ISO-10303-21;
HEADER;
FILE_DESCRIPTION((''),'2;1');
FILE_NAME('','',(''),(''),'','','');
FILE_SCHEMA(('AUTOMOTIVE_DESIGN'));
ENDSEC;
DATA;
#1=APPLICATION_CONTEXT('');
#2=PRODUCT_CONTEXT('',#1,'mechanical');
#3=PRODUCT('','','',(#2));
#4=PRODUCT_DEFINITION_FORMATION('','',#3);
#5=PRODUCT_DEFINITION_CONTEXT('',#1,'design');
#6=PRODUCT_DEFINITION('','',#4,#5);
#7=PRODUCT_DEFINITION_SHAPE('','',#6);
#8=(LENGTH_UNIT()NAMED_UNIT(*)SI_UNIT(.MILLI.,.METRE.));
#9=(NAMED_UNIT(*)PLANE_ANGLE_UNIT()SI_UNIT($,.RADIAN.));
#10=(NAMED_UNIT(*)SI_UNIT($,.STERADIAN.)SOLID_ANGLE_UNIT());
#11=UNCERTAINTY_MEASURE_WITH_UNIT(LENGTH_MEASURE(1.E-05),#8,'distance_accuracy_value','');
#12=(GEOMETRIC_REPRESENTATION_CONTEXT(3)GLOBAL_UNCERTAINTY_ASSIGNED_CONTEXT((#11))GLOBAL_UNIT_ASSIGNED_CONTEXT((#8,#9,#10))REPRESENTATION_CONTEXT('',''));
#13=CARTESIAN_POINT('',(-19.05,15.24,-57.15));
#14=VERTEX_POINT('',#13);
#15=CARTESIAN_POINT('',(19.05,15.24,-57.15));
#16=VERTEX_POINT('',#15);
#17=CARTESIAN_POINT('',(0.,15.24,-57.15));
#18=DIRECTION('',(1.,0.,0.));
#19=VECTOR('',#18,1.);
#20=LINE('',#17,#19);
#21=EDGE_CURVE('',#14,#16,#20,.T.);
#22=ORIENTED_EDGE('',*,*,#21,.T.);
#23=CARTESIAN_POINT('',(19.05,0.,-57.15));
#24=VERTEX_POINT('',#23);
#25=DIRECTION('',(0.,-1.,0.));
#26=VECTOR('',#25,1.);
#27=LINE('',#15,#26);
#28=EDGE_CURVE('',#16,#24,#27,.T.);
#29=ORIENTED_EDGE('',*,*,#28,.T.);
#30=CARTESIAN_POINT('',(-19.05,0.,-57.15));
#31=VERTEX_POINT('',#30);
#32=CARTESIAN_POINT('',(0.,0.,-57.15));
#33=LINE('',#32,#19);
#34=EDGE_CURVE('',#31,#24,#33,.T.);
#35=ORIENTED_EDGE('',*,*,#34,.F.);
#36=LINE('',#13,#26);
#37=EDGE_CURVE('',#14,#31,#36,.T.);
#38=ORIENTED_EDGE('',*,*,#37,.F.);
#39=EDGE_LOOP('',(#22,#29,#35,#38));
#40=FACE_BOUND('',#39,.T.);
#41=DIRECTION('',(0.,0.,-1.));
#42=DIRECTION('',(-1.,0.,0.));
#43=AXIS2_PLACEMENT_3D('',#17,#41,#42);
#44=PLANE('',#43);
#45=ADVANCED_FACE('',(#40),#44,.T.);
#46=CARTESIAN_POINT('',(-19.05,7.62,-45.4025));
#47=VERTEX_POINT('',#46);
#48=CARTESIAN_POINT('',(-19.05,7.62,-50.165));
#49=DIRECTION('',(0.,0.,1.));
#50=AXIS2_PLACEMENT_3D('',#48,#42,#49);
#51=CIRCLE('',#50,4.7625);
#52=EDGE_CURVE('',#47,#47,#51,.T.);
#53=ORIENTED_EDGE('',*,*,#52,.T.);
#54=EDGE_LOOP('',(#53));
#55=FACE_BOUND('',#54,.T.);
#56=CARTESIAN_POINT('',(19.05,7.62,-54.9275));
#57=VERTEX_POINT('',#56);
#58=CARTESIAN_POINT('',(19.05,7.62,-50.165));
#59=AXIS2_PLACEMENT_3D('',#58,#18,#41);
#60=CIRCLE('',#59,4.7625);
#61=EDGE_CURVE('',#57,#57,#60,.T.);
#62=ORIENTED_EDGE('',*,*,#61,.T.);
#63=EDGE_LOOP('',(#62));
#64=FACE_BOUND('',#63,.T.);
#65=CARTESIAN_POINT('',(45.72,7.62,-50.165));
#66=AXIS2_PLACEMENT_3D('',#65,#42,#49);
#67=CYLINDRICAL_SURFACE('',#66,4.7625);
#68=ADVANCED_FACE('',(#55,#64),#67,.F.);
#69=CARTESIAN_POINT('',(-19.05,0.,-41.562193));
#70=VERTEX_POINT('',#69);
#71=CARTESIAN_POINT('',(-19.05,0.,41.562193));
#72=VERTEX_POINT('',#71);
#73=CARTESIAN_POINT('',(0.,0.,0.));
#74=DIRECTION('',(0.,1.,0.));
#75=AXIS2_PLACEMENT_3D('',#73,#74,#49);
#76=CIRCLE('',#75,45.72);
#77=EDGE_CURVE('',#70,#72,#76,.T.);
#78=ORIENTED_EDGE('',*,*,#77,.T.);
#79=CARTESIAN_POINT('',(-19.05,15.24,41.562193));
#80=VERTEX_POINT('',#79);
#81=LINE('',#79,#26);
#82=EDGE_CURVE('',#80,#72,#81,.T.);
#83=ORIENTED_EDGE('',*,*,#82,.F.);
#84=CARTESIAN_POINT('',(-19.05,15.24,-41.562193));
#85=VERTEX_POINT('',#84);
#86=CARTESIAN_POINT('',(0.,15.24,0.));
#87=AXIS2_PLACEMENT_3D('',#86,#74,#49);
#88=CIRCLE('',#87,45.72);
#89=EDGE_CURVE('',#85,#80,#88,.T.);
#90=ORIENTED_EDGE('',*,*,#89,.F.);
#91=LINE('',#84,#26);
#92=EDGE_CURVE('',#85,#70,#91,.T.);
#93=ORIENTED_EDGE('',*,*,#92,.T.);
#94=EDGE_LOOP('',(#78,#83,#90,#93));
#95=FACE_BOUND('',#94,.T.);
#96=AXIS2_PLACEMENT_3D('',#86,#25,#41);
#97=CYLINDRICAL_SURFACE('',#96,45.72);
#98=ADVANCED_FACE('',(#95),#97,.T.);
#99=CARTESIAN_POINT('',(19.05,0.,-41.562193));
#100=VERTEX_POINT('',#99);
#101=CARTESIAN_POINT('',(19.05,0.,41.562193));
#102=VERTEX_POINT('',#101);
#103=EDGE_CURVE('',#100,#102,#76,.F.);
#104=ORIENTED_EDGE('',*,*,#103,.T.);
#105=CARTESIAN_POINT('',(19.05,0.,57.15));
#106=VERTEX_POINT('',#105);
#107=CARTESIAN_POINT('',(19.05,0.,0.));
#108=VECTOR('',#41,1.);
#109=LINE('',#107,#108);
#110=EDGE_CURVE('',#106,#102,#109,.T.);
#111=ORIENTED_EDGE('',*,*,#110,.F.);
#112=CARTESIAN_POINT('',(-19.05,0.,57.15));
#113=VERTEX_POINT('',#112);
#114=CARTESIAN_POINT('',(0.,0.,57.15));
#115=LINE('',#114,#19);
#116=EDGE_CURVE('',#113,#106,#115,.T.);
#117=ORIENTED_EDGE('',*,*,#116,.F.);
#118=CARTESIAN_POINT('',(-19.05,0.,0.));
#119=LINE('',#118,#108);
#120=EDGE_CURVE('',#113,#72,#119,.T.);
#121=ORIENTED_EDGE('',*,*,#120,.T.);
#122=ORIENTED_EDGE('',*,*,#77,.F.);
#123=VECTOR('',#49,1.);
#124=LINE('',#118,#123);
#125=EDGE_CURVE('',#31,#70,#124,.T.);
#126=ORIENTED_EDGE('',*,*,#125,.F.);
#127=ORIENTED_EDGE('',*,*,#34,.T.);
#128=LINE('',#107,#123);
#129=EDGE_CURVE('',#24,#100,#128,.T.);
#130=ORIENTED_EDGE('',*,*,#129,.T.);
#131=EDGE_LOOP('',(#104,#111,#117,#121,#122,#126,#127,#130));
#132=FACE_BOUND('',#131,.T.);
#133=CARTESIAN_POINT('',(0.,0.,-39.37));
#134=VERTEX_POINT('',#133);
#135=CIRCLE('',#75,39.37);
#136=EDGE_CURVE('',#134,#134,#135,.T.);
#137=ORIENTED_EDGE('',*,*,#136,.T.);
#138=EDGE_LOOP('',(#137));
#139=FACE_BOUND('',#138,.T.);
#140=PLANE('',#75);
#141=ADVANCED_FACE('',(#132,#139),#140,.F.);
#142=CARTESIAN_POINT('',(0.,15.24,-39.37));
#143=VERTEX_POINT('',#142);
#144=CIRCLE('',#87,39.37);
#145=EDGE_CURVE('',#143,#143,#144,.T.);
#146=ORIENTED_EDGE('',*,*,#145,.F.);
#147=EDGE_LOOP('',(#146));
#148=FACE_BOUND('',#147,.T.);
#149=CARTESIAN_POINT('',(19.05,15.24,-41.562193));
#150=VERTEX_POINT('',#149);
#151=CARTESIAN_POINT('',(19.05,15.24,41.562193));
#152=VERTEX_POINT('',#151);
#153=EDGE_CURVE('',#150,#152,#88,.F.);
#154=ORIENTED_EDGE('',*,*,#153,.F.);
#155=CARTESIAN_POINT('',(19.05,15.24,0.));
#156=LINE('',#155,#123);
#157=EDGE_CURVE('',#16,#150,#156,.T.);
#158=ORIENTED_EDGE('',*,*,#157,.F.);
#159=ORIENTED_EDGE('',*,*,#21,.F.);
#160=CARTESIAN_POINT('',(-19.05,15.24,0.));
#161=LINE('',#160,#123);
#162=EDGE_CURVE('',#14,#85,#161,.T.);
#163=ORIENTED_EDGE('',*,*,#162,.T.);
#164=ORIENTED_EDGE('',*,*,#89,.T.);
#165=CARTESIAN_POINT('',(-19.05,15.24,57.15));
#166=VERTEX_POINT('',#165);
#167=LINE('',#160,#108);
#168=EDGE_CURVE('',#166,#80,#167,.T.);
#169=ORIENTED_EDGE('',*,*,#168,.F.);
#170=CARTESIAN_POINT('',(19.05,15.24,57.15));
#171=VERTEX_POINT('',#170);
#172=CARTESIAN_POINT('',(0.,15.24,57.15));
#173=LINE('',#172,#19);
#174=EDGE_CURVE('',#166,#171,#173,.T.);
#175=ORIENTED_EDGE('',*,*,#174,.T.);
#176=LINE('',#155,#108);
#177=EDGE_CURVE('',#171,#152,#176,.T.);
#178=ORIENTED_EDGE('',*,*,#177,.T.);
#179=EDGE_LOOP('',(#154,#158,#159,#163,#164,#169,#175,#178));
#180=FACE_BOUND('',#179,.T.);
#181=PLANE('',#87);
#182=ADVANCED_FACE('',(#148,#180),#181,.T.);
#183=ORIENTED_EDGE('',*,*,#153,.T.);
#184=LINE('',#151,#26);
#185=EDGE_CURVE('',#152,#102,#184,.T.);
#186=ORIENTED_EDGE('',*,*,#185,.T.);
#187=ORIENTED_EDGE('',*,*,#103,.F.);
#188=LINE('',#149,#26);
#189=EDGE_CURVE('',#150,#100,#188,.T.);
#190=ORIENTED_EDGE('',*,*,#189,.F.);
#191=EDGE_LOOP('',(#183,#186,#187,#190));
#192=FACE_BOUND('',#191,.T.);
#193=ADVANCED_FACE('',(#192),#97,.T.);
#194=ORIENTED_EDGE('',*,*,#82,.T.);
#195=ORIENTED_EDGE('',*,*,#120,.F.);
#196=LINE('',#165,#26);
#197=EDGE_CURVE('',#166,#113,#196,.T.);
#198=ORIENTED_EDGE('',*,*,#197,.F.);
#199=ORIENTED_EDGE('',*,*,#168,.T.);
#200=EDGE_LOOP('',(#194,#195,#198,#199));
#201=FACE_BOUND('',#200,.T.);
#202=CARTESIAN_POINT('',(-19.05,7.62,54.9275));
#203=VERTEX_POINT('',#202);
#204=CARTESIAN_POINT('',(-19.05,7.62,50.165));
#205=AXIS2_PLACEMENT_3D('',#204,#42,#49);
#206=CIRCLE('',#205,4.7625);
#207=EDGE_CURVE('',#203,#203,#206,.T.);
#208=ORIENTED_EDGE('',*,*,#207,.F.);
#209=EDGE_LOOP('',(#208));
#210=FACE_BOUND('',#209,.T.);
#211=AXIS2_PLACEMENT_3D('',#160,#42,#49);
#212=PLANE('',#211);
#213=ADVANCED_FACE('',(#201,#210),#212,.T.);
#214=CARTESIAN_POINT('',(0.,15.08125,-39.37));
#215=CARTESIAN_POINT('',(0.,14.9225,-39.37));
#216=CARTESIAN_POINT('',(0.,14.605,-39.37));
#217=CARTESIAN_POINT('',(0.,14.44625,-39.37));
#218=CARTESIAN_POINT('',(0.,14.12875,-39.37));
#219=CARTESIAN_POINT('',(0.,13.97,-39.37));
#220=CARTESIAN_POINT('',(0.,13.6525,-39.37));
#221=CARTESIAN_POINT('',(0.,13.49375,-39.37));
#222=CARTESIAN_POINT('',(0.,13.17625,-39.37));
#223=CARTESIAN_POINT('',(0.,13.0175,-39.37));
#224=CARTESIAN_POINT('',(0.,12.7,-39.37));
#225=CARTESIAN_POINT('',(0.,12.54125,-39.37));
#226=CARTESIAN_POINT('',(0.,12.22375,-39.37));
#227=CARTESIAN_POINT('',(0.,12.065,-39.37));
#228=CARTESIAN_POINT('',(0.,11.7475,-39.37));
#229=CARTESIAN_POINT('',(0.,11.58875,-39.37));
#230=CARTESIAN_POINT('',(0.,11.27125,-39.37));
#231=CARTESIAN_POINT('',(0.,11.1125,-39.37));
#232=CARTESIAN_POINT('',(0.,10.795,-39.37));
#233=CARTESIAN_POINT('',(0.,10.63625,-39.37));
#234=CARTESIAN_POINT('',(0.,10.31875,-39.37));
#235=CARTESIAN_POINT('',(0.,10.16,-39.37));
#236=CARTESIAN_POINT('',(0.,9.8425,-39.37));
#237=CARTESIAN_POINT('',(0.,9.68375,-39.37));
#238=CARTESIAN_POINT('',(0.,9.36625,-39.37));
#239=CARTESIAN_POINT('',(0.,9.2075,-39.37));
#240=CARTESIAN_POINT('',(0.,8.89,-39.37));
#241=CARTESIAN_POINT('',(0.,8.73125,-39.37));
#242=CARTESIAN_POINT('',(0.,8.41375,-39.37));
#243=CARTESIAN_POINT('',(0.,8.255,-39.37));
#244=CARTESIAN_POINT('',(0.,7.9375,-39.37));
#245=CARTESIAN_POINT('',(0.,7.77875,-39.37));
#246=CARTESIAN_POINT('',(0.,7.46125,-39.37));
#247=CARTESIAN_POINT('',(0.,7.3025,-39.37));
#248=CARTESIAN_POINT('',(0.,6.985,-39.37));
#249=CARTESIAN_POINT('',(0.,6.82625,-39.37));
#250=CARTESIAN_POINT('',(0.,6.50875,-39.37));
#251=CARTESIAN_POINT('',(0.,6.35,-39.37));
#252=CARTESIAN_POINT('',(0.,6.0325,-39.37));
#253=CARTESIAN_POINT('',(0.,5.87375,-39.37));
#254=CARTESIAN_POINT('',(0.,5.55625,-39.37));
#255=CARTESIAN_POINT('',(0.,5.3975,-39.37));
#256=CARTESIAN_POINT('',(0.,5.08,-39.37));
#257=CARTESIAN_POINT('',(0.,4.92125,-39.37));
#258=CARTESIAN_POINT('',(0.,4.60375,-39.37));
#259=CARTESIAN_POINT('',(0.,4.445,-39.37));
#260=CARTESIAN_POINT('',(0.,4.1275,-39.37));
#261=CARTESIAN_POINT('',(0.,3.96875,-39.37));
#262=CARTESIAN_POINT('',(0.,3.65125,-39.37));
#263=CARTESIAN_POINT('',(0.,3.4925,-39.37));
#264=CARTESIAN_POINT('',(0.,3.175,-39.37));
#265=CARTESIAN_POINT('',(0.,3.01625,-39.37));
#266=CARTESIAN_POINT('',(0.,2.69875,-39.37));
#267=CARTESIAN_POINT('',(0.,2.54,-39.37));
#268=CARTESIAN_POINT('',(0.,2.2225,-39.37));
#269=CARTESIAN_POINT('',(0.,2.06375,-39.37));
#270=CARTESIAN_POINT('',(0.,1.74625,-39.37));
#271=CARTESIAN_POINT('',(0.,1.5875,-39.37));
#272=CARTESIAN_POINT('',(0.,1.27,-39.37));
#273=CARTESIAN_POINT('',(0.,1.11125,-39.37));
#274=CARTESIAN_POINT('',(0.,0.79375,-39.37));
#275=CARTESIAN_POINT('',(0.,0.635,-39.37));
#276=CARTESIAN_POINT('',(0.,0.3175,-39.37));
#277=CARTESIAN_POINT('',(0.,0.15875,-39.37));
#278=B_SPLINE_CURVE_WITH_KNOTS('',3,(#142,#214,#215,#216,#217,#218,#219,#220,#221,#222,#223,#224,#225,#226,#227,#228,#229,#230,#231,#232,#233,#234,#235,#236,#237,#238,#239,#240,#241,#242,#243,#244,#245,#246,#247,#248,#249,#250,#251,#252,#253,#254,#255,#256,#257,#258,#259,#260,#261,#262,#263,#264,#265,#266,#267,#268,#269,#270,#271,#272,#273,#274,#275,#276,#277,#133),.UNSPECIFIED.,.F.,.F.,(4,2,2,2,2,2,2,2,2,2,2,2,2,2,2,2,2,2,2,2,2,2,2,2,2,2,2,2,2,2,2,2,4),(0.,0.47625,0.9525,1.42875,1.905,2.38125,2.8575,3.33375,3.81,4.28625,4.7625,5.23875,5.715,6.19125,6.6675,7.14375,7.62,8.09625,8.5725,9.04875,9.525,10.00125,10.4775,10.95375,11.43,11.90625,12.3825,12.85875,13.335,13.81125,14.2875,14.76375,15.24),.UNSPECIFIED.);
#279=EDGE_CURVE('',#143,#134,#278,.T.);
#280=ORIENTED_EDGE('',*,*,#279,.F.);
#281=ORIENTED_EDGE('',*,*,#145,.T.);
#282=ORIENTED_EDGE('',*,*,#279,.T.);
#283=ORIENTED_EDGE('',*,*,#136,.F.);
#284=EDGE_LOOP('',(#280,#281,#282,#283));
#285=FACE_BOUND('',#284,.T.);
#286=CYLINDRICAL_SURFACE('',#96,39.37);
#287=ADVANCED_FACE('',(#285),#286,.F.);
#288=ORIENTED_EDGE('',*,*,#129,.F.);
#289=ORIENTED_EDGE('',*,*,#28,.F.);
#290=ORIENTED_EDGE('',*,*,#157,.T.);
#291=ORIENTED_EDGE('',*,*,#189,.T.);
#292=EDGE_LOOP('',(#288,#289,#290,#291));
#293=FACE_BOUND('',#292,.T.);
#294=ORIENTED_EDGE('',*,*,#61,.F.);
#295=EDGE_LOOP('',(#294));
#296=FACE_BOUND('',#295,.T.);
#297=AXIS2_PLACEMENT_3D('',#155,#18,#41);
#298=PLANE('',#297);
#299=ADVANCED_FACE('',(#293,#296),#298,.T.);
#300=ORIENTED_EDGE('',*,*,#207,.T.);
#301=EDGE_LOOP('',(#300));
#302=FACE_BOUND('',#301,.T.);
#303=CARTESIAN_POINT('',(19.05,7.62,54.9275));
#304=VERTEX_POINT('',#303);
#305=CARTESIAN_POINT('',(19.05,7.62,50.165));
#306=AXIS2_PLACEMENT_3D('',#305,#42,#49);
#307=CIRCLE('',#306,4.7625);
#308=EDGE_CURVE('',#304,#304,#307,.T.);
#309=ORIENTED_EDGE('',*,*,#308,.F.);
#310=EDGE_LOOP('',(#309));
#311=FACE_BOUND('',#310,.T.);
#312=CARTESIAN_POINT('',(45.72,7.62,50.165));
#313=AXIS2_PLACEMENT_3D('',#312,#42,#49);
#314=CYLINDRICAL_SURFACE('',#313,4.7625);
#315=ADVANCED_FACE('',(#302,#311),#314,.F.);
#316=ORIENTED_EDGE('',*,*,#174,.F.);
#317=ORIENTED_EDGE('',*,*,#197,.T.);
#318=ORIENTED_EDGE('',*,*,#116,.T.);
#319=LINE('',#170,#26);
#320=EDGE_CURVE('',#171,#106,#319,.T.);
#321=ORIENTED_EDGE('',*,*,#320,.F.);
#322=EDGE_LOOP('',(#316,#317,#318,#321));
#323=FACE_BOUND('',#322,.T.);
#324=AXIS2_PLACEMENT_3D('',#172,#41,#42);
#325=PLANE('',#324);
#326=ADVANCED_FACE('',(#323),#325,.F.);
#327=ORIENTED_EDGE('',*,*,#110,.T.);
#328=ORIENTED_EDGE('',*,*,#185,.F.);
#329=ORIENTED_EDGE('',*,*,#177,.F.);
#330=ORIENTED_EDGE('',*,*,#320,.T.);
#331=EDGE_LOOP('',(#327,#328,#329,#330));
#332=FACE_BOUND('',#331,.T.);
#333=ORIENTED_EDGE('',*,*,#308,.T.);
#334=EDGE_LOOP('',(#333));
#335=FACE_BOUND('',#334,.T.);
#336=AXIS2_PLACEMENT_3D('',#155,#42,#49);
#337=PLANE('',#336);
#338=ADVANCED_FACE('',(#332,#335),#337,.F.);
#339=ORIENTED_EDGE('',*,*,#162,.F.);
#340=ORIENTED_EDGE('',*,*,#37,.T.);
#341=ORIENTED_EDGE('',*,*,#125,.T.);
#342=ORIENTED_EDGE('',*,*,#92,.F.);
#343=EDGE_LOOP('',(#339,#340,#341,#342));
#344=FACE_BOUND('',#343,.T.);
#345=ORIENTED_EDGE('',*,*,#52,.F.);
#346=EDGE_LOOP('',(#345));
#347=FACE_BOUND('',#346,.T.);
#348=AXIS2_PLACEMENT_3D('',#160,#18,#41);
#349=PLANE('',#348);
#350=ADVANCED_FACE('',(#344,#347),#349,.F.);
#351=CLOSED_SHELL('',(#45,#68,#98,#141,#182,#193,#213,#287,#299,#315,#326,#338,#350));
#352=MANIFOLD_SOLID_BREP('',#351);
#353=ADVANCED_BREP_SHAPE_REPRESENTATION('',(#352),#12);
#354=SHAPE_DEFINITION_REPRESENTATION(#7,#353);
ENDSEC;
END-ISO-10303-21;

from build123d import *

# Parameters (mm, degrees)
SKETCH1_R           = 39.37
BOSS_EXTRUDE1_DEPTH = 15.24
SKETCH2_R           = 4.7625
CUT_EXTRUDE1_DEPTH  = 88.712786981


with BuildPart() as part:
    # Sketch1 → Boss-Extrude1 (new body)
    with BuildSketch(Plane(origin=(0, 0, 0), x_dir=(1, 0, 0), z_dir=(0, 1, 0))):
        with BuildLine():
            Line((-19.05, 57.15), (19.05, 57.15))
            Line((19.05, 57.15), (19.05, 41.562193157))
            ThreePointArc((19.05, 41.562193157), (45.72, 0), (19.05, -41.562193157))
            Line((19.05, -41.562193157), (19.05, -57.15))
            Line((19.05, -57.15), (-19.05, -57.15))
            Line((-19.05, -57.15), (-19.05, -41.562193157))
            ThreePointArc((-19.05, -41.562193157), (-45.72, 0), (-19.05, 41.562193157))
            Line((-19.05, 41.562193157), (-19.05, 57.15))
        make_face()
        with Locations(Location((0, 0, 0), (0, 0, 90))):
            Circle(SKETCH1_R, mode=Mode.SUBTRACT)
    extrude(amount=BOSS_EXTRUDE1_DEPTH)

    # Sketch2 → Cut-Extrude1 (cut, through all)
    with BuildSketch(Plane.ZY.offset(19.05)):
        with BuildLine():
            ThreePointArc((45.4025, 7.62), (50.165, 2.8575), (54.9275, 7.62))
            Line((54.9275, 7.62), (45.4025, 7.62))
        make_face()
        with BuildLine():
            Line((45.4025, 7.62), (54.9275, 7.62))
            ThreePointArc((54.9275, 7.62), (50.165, 12.3825), (45.4025, 7.62))
        make_face()
        with Locations((-50.165, 7.62)):
            Circle(SKETCH2_R)
    extrude(amount=-CUT_EXTRUDE1_DEPTH, mode=Mode.SUBTRACT)


solid = part.part
